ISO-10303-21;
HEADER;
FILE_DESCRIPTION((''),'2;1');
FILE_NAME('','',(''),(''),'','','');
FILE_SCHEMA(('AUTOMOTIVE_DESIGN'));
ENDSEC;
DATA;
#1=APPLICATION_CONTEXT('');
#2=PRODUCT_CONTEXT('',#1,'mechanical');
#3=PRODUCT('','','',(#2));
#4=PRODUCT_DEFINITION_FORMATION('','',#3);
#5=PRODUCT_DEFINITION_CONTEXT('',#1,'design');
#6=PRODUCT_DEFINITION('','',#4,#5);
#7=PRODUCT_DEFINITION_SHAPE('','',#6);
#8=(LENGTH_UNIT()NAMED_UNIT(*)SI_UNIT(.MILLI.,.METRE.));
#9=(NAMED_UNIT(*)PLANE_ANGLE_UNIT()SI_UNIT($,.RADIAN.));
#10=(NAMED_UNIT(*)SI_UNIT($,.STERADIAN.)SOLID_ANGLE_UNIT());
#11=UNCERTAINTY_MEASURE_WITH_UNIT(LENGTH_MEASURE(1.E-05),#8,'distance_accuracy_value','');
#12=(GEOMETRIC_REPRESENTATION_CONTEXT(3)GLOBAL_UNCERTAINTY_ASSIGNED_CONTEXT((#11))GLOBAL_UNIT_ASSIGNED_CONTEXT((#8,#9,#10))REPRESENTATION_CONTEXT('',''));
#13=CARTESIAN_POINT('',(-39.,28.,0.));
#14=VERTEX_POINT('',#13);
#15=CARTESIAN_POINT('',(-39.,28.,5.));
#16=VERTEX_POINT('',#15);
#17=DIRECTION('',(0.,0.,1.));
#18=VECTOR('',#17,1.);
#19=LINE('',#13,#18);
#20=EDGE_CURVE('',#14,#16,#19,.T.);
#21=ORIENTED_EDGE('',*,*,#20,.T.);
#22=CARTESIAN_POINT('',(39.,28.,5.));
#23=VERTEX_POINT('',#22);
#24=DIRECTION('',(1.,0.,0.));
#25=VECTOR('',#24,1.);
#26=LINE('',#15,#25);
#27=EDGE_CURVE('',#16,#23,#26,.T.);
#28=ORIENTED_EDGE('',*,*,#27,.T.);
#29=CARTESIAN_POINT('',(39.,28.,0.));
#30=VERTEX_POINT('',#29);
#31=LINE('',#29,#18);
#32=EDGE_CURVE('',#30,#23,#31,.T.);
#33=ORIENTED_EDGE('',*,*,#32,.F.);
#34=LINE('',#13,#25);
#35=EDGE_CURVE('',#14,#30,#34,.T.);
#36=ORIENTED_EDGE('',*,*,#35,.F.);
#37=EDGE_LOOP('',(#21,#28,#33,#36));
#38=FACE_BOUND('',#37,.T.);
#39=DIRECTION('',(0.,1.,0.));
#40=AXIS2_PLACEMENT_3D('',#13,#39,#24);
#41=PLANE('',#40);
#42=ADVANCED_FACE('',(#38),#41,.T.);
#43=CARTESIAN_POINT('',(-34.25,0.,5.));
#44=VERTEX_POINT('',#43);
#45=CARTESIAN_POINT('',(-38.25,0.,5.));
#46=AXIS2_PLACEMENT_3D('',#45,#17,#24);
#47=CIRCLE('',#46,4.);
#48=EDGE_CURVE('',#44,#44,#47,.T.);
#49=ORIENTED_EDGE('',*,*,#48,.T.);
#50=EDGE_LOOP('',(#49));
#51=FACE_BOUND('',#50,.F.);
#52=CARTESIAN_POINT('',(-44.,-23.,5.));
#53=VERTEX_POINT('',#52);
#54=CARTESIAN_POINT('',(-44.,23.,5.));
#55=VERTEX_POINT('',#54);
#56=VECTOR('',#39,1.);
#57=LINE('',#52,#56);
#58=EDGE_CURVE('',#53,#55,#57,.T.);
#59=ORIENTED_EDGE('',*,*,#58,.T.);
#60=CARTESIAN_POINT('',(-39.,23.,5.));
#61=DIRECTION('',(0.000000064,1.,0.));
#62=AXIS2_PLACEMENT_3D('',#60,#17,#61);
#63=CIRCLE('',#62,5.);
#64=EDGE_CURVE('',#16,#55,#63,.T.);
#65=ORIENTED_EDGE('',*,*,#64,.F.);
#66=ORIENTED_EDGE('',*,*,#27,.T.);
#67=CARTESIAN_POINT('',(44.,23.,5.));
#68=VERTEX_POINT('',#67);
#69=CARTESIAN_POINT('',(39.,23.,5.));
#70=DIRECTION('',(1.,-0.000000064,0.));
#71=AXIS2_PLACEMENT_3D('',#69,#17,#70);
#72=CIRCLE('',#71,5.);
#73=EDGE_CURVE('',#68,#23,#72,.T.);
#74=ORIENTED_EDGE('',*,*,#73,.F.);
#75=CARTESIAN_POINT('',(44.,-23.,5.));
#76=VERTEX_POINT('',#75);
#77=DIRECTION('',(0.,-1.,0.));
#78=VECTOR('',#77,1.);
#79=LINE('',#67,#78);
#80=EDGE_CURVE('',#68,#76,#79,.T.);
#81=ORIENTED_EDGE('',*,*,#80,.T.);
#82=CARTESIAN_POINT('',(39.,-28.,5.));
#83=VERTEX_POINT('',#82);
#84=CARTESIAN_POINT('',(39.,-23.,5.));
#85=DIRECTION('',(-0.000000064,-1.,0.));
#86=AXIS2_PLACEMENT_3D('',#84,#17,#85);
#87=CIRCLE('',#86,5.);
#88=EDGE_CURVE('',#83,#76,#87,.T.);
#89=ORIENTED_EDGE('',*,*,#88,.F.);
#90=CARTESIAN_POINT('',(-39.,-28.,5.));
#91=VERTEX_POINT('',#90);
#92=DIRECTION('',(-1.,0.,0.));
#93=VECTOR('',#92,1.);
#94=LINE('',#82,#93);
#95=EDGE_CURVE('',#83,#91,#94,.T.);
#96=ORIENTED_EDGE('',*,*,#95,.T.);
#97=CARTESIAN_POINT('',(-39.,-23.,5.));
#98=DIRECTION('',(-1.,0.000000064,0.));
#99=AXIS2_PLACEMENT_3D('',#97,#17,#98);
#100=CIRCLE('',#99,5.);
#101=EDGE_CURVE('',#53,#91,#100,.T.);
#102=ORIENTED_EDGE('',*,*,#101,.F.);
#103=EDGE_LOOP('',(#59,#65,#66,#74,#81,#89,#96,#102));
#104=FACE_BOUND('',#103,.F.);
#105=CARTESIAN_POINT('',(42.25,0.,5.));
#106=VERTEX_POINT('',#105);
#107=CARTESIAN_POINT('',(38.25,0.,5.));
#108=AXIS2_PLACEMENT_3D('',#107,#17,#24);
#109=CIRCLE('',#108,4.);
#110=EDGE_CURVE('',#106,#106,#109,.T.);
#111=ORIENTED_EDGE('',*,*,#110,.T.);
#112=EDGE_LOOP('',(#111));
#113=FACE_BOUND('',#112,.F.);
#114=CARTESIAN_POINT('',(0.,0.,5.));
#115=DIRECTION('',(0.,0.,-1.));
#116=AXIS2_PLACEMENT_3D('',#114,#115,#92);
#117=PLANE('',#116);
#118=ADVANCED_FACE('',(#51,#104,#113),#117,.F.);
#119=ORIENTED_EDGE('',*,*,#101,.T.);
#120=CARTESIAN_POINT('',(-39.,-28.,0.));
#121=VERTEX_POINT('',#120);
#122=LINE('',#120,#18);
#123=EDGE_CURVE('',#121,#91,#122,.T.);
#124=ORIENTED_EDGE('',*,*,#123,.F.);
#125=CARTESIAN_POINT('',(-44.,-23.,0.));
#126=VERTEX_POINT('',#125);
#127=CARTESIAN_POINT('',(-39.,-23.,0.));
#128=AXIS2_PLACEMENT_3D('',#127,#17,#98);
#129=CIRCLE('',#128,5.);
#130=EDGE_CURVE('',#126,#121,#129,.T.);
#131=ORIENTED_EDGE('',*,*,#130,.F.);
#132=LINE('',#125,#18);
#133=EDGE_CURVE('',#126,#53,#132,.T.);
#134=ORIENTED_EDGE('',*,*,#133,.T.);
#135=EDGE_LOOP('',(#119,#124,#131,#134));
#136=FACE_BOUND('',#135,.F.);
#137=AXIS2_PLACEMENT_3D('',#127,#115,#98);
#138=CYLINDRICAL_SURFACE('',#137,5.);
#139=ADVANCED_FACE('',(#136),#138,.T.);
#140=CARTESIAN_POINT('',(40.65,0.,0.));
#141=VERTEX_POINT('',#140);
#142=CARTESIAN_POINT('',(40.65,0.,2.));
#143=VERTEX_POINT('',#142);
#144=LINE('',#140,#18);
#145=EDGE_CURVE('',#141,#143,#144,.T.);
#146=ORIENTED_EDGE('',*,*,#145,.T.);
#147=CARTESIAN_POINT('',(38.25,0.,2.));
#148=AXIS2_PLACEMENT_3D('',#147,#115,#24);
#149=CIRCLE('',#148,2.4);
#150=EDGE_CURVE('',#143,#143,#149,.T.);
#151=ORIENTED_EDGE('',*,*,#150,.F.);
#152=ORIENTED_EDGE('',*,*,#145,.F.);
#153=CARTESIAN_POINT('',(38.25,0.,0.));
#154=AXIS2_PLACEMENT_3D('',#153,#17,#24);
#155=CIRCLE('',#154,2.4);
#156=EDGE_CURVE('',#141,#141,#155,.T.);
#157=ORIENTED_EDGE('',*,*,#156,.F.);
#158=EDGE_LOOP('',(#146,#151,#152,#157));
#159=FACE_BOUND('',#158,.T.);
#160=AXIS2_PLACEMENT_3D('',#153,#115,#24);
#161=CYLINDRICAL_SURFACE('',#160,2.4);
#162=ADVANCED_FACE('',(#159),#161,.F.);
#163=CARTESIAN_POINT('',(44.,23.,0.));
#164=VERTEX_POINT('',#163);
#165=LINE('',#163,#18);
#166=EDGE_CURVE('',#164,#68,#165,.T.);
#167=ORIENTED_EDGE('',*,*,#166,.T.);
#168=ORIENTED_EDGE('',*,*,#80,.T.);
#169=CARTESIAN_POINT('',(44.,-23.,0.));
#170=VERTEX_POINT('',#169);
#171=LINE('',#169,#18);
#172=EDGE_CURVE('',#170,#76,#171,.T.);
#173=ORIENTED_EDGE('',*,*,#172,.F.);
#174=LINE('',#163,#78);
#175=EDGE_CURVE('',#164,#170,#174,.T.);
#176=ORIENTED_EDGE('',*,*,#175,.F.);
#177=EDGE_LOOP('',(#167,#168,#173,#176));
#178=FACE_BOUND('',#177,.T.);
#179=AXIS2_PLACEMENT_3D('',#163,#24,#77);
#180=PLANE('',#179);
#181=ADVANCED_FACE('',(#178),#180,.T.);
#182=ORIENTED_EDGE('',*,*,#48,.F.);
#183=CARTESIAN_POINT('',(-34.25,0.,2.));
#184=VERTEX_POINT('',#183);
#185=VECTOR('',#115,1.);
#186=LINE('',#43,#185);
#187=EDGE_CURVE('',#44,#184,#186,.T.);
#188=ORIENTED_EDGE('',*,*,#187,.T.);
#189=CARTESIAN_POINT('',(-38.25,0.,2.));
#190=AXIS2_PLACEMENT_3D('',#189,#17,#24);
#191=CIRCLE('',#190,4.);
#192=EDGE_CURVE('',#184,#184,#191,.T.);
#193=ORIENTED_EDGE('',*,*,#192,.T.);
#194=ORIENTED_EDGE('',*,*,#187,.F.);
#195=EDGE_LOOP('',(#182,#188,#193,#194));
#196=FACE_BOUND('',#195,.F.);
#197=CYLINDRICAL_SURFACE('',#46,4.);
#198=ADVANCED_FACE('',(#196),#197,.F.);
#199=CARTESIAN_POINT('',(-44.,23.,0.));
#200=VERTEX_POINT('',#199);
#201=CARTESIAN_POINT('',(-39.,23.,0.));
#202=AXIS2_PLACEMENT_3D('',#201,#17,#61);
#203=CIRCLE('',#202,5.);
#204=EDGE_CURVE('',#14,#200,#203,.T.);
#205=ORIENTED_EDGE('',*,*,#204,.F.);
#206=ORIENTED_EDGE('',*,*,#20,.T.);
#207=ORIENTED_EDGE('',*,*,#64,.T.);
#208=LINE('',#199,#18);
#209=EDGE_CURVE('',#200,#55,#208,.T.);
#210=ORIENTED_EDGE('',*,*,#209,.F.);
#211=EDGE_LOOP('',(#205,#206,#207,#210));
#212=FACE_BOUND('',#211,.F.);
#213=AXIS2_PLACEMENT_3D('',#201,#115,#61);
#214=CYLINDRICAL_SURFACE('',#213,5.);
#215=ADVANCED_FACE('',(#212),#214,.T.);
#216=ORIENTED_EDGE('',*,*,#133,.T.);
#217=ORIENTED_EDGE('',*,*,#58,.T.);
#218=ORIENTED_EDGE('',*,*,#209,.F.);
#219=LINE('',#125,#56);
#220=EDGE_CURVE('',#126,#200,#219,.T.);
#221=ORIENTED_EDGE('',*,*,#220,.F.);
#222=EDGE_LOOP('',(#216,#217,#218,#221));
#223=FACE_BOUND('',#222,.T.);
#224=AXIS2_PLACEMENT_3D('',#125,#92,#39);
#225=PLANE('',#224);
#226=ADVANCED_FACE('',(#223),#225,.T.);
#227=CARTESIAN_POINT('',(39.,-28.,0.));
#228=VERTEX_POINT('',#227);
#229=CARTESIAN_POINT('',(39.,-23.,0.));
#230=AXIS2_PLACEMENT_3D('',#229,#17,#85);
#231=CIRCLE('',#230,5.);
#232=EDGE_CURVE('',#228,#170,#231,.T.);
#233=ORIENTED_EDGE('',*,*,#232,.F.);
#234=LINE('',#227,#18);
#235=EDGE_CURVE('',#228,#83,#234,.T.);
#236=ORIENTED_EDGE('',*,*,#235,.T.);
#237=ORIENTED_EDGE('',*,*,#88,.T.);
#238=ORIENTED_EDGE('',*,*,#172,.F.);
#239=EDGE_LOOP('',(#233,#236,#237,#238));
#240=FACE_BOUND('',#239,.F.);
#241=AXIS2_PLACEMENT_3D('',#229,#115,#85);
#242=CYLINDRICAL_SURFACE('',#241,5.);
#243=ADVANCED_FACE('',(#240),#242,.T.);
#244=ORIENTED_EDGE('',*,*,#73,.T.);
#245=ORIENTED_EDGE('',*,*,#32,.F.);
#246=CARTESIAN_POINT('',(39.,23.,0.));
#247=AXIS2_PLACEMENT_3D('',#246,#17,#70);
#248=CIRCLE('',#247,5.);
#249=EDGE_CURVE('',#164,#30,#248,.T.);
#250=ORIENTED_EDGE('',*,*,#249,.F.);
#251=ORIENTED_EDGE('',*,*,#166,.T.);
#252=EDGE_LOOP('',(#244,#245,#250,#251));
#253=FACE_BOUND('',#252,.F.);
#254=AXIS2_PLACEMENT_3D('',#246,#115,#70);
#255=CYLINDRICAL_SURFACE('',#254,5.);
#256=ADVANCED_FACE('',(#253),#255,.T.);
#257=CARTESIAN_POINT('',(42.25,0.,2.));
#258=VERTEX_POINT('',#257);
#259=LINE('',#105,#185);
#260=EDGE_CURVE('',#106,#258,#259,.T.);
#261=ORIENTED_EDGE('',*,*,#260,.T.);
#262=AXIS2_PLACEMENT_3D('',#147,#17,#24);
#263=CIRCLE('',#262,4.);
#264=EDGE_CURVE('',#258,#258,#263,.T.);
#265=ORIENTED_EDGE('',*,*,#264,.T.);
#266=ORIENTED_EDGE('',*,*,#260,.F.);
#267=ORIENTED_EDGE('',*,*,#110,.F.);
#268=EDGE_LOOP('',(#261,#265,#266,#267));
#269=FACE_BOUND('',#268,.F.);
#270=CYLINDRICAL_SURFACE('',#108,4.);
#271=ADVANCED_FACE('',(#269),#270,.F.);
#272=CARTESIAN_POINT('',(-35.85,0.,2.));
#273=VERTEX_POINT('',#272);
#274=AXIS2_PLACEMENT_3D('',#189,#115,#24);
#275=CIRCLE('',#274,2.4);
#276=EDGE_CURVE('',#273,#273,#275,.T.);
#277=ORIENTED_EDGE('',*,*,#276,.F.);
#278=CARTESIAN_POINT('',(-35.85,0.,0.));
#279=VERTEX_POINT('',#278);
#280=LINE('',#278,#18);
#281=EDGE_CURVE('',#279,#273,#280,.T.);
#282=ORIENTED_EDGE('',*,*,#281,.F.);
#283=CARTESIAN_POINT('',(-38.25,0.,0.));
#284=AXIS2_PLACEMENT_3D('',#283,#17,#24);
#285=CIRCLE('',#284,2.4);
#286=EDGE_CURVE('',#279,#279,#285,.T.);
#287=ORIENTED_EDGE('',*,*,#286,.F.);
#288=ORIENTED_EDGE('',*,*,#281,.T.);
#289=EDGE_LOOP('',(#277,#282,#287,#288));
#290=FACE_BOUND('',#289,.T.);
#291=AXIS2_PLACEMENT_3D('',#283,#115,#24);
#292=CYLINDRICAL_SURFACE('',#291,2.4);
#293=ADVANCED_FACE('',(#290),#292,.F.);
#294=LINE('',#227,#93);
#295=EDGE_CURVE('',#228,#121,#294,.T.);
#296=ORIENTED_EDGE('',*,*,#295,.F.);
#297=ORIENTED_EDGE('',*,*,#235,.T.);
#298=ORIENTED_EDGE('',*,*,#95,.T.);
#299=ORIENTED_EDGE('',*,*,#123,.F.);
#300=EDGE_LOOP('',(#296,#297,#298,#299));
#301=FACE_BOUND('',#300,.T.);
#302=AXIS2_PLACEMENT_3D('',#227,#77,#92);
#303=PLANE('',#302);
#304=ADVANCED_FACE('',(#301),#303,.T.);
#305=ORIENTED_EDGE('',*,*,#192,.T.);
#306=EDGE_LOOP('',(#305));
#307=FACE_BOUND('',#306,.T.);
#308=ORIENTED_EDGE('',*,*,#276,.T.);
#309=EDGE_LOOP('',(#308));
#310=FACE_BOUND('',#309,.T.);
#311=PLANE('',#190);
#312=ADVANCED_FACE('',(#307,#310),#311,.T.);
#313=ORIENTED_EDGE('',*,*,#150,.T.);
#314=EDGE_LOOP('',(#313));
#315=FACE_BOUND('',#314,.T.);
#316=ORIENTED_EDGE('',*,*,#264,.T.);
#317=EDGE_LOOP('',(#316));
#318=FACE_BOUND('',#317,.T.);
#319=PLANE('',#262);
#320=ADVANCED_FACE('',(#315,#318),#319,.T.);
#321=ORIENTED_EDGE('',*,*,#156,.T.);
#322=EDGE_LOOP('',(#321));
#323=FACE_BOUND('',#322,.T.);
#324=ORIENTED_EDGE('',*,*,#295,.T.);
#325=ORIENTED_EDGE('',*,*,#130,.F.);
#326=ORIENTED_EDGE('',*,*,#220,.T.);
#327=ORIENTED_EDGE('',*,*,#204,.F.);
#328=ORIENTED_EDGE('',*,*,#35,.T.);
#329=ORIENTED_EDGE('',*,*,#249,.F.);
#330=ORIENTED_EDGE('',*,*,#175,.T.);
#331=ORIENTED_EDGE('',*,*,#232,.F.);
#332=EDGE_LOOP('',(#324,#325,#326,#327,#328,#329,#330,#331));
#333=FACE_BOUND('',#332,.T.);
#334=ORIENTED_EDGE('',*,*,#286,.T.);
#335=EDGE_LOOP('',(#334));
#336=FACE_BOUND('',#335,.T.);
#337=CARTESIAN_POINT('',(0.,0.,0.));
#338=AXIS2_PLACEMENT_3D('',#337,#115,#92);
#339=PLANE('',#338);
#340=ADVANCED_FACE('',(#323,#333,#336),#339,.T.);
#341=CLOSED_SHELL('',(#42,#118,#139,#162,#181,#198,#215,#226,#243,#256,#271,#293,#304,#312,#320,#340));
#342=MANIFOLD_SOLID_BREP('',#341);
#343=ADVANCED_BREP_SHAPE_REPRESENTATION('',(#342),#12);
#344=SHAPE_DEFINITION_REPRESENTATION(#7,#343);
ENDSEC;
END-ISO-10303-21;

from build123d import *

# Parameters (mm, degrees)
SKETCH_R     = 2.4
PAD_DEPTH    = 5
SKETCH001_R  = 4
POCKET_DEPTH = 3


with BuildPart() as part:
    # Sketch → Pad (new body)
    with BuildSketch(Plane.XY):
        with BuildLine():
            Line((-39, 28), (39, 28))
            ThreePointArc((44, 23), (42.535534, 26.535534), (39, 28))
            Line((44, 23), (44, -23))
            ThreePointArc((39, -28), (42.535534, -26.535534), (44, -23))
            Line((39, -28), (-39, -28))
            ThreePointArc((-44, -23), (-42.535534, -26.535534), (-39, -28))
            Line((-44, -23), (-44, 23))
            ThreePointArc((-39, 28), (-42.535534, 26.535534), (-44, 23))
        make_face()
        with Locations((-38.25, 0)):
            Circle(SKETCH_R, mode=Mode.SUBTRACT)
        with Locations((38.25, 0)):
            Circle(SKETCH_R, mode=Mode.SUBTRACT)
    extrude(amount=PAD_DEPTH)

    # Sketch001 (on Face12 of Pad) → Pocket (cut)
    with BuildSketch(Plane.XY.offset(5)):
        with Locations((-38.25, 0)):
            Circle(SKETCH001_R)
        with Locations((38.25, 0)):
            Circle(SKETCH001_R)
    extrude(amount=-POCKET_DEPTH, mode=Mode.SUBTRACT)


solid = part.part
